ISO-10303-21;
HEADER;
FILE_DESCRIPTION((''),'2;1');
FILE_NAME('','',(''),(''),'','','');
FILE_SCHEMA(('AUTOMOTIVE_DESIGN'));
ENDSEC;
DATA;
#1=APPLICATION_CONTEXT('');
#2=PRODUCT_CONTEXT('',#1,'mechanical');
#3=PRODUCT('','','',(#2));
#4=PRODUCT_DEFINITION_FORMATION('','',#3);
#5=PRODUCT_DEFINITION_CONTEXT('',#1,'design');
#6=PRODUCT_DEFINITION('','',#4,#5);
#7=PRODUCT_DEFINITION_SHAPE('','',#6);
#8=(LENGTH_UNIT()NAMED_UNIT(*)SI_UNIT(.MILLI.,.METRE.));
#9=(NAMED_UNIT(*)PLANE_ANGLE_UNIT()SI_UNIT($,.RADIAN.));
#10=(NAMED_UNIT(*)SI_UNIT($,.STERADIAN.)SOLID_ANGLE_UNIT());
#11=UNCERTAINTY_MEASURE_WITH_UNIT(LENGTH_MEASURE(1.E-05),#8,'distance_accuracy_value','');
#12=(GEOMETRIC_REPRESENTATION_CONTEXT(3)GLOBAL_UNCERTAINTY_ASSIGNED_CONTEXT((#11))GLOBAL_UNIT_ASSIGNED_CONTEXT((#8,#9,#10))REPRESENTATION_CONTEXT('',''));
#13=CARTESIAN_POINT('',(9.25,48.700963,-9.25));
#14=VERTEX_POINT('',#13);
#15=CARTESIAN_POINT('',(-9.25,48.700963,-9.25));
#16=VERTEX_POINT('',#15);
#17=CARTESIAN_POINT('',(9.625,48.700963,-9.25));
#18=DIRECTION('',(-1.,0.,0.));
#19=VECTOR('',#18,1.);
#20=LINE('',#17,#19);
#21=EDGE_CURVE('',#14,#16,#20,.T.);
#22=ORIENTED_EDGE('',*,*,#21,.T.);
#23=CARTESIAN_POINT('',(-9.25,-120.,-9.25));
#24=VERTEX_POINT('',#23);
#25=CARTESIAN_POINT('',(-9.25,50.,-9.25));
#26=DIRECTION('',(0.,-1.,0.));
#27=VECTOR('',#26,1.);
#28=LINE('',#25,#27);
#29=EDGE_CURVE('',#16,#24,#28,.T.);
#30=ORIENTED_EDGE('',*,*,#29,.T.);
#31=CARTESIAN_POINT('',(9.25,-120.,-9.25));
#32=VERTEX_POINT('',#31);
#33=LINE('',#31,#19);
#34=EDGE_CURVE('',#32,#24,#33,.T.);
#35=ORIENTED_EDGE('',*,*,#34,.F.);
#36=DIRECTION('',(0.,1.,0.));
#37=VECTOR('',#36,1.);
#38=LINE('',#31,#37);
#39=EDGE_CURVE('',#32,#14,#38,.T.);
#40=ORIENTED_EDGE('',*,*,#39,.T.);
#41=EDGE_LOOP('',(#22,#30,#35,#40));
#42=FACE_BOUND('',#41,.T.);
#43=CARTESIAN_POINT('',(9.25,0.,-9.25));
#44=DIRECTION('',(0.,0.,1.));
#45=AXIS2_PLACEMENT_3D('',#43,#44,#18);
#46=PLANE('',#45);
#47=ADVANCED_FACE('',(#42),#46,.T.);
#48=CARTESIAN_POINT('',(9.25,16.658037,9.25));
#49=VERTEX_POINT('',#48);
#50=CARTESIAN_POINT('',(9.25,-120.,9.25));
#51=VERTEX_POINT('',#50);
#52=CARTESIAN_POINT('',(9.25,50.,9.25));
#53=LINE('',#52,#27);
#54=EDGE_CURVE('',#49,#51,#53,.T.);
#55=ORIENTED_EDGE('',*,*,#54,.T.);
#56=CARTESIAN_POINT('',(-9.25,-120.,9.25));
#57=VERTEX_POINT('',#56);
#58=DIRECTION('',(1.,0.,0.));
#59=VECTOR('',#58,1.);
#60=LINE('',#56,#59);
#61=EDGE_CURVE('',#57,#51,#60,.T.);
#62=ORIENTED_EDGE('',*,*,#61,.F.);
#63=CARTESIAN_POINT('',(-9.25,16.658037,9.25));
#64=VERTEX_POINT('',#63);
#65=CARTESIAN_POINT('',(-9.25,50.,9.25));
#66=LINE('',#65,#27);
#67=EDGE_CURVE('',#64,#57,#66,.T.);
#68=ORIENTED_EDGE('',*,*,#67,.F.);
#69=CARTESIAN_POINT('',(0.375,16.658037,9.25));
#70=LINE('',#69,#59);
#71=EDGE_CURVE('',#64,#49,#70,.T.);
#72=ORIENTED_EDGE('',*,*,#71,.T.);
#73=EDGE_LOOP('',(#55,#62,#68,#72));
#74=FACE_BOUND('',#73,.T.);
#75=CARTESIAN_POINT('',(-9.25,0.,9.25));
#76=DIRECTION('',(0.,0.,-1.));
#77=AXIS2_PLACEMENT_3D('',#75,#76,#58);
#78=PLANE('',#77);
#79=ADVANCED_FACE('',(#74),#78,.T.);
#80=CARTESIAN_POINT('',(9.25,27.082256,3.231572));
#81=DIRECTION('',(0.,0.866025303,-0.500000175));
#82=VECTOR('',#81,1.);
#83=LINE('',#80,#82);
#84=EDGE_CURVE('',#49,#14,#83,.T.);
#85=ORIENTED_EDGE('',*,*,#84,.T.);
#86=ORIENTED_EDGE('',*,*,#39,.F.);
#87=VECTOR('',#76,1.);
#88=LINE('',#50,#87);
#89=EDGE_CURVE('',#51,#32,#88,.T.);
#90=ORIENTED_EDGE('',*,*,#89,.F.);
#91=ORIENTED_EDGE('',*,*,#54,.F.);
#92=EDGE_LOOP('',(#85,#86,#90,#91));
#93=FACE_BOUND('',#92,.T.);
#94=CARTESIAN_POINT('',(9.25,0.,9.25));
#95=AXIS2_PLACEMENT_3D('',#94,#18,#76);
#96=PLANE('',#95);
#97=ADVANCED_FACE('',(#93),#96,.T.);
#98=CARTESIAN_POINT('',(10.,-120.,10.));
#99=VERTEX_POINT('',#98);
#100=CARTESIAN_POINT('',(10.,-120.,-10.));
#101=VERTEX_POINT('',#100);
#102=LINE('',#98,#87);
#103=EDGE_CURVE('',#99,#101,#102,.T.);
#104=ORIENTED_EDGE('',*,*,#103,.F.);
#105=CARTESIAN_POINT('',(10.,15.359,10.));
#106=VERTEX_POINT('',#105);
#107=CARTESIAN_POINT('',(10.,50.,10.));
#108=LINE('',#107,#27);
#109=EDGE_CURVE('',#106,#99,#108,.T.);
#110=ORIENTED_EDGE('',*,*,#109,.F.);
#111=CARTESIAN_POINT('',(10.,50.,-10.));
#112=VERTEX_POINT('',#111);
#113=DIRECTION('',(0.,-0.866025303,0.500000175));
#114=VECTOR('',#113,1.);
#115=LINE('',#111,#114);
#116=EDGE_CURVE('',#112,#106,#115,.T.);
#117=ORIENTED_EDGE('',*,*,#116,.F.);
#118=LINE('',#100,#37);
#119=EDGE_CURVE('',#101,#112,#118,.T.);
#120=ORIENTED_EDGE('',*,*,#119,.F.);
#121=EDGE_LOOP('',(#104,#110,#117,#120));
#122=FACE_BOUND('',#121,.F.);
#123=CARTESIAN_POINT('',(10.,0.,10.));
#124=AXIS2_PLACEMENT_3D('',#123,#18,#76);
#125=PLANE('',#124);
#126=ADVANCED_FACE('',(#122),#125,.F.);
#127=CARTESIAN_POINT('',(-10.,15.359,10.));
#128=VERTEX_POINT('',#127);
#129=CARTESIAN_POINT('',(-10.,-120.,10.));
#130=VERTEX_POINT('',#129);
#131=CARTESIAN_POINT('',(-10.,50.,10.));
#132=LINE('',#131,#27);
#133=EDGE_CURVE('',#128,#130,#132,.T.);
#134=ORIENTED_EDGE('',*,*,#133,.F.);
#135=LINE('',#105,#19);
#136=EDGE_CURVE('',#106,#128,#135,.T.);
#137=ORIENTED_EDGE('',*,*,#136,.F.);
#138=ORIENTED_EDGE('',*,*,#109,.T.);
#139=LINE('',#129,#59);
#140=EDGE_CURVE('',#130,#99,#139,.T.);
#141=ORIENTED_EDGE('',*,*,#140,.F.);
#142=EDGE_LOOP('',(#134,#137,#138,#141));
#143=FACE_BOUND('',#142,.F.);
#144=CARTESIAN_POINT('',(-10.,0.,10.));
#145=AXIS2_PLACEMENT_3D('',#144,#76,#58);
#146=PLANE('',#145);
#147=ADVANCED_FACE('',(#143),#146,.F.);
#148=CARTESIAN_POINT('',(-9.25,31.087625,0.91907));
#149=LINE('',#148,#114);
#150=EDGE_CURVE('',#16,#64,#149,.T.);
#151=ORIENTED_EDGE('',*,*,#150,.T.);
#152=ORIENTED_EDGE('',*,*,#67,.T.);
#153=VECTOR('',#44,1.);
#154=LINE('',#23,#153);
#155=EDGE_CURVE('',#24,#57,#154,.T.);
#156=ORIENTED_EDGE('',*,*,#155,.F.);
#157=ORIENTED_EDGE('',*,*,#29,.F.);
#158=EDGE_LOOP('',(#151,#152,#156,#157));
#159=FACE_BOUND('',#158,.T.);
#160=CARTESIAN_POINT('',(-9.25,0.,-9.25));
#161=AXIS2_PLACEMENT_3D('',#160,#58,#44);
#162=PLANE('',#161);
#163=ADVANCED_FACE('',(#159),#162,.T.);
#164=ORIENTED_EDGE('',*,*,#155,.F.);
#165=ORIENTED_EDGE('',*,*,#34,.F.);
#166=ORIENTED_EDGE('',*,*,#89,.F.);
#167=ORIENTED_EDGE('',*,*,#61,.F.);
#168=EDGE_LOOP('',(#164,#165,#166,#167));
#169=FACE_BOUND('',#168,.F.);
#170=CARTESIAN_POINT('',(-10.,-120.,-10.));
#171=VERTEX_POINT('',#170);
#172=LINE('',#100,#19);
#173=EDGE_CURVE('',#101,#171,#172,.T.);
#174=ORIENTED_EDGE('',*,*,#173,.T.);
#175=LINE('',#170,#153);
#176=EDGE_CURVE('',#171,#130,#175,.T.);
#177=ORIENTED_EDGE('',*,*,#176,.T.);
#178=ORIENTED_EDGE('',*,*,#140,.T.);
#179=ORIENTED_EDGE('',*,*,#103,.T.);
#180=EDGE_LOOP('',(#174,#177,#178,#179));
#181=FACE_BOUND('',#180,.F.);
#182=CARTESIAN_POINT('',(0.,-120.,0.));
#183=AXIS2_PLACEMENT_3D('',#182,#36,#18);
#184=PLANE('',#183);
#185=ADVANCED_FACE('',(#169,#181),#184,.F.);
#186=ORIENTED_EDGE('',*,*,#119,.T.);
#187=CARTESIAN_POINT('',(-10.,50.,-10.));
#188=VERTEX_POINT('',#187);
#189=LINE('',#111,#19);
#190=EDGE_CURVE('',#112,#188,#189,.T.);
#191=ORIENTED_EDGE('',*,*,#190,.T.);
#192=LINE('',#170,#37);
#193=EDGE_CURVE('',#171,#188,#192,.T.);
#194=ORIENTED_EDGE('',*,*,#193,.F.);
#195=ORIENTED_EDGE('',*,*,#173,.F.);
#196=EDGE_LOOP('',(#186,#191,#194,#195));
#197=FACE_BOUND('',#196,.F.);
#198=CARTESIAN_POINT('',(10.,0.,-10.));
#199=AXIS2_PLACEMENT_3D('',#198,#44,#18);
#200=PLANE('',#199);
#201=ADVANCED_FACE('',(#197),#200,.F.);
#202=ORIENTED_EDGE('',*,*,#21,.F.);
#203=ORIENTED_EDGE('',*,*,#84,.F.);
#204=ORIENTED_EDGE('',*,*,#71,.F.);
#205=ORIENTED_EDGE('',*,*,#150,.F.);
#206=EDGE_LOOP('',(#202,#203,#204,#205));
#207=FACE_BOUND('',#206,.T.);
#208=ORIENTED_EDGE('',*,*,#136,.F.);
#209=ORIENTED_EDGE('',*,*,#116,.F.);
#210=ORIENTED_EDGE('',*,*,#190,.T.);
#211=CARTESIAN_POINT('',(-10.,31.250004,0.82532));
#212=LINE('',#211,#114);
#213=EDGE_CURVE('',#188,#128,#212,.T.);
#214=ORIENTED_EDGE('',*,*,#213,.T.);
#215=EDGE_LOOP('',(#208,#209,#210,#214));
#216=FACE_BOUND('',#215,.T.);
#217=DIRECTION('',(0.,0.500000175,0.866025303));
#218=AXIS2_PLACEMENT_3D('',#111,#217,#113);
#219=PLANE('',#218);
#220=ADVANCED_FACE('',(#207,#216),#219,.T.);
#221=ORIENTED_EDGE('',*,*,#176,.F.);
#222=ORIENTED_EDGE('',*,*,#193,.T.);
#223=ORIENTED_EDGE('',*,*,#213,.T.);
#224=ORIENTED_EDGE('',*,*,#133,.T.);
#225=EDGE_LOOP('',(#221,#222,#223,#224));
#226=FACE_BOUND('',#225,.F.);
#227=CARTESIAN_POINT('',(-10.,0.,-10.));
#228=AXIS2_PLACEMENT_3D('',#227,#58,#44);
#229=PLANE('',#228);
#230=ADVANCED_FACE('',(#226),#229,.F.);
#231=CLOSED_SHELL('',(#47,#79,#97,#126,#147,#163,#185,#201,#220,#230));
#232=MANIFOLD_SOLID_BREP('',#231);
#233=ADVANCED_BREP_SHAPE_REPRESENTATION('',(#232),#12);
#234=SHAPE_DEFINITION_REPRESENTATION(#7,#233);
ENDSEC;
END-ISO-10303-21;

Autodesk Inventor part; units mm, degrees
ref_plane "YZ Plane" through (0, 0, 0) normal (1, 0, 0) x (0, 1, 0)
ref_plane "XZ Plane" through (0, 0, 0) normal (0, 1, 0) x (-1, 0, 0)
ref_plane "XY Plane" through (0, 0, 0) normal (0, 0, 1) x (1, 0, 0)
sketch "Эскиз1" plane through (0, 0, 0) normal (0, 1, 0) x (-1, 0, 0)
  line L0 (-10, -10) -> (10, -10)
  line L1 (10, -10) -> (10, 10)
  line L2 (10, 10) -> (-10, 10)
  line L3 (-10, 10) -> (-10, -10)
  line L4 (-10, -10) -> (10, 10) construction
  line L5 (10, -10) -> (-10, 10) construction
  line L6 (-9.25, -9.25) -> (9.25, -9.25)
  line L7 (9.25, -9.25) -> (9.25, 9.25)
  line L8 (9.25, 9.25) -> (-9.25, 9.25)
  line L9 (-9.25, 9.25) -> (-9.25, -9.25)
  line L10 (-9.25, -9.25) -> (9.25, 9.25) construction
  line L11 (9.25, -9.25) -> (-9.25, 9.25) construction
  point P0 (0, 0)
  dimension "d0" = 20
  dimension "d1" = 20
  dimension "d2" = 18.5
  dimension "d3" = 18.5
extrude "Выдавливание1" add sketch "Эскиз1" along normal blind 50 and the other way blind 120
sketch "Эскиз2" plane through (10, -120, 10) normal (1, 0, 0) x (0, 0, -1)
  line L0 (20, 0) -> (20, 170) projected
  line L1 (20, 170) -> (0, 135.359)
  line L2 (0, 0) -> (0, 170) projected
  line L3 (20, 170) -> (60, 170) construction
  line L4 (20, 170) -> (0, 170) projected
  line L5 (0, 135.359) -> (0, 170)
  line L6 (0, 170) -> (20, 170)
  point P0 (10, 120)
  dimension "d6" = 120
extrude "Выдавливание2" cut sketch "Эскиз2" against normal blind 50
